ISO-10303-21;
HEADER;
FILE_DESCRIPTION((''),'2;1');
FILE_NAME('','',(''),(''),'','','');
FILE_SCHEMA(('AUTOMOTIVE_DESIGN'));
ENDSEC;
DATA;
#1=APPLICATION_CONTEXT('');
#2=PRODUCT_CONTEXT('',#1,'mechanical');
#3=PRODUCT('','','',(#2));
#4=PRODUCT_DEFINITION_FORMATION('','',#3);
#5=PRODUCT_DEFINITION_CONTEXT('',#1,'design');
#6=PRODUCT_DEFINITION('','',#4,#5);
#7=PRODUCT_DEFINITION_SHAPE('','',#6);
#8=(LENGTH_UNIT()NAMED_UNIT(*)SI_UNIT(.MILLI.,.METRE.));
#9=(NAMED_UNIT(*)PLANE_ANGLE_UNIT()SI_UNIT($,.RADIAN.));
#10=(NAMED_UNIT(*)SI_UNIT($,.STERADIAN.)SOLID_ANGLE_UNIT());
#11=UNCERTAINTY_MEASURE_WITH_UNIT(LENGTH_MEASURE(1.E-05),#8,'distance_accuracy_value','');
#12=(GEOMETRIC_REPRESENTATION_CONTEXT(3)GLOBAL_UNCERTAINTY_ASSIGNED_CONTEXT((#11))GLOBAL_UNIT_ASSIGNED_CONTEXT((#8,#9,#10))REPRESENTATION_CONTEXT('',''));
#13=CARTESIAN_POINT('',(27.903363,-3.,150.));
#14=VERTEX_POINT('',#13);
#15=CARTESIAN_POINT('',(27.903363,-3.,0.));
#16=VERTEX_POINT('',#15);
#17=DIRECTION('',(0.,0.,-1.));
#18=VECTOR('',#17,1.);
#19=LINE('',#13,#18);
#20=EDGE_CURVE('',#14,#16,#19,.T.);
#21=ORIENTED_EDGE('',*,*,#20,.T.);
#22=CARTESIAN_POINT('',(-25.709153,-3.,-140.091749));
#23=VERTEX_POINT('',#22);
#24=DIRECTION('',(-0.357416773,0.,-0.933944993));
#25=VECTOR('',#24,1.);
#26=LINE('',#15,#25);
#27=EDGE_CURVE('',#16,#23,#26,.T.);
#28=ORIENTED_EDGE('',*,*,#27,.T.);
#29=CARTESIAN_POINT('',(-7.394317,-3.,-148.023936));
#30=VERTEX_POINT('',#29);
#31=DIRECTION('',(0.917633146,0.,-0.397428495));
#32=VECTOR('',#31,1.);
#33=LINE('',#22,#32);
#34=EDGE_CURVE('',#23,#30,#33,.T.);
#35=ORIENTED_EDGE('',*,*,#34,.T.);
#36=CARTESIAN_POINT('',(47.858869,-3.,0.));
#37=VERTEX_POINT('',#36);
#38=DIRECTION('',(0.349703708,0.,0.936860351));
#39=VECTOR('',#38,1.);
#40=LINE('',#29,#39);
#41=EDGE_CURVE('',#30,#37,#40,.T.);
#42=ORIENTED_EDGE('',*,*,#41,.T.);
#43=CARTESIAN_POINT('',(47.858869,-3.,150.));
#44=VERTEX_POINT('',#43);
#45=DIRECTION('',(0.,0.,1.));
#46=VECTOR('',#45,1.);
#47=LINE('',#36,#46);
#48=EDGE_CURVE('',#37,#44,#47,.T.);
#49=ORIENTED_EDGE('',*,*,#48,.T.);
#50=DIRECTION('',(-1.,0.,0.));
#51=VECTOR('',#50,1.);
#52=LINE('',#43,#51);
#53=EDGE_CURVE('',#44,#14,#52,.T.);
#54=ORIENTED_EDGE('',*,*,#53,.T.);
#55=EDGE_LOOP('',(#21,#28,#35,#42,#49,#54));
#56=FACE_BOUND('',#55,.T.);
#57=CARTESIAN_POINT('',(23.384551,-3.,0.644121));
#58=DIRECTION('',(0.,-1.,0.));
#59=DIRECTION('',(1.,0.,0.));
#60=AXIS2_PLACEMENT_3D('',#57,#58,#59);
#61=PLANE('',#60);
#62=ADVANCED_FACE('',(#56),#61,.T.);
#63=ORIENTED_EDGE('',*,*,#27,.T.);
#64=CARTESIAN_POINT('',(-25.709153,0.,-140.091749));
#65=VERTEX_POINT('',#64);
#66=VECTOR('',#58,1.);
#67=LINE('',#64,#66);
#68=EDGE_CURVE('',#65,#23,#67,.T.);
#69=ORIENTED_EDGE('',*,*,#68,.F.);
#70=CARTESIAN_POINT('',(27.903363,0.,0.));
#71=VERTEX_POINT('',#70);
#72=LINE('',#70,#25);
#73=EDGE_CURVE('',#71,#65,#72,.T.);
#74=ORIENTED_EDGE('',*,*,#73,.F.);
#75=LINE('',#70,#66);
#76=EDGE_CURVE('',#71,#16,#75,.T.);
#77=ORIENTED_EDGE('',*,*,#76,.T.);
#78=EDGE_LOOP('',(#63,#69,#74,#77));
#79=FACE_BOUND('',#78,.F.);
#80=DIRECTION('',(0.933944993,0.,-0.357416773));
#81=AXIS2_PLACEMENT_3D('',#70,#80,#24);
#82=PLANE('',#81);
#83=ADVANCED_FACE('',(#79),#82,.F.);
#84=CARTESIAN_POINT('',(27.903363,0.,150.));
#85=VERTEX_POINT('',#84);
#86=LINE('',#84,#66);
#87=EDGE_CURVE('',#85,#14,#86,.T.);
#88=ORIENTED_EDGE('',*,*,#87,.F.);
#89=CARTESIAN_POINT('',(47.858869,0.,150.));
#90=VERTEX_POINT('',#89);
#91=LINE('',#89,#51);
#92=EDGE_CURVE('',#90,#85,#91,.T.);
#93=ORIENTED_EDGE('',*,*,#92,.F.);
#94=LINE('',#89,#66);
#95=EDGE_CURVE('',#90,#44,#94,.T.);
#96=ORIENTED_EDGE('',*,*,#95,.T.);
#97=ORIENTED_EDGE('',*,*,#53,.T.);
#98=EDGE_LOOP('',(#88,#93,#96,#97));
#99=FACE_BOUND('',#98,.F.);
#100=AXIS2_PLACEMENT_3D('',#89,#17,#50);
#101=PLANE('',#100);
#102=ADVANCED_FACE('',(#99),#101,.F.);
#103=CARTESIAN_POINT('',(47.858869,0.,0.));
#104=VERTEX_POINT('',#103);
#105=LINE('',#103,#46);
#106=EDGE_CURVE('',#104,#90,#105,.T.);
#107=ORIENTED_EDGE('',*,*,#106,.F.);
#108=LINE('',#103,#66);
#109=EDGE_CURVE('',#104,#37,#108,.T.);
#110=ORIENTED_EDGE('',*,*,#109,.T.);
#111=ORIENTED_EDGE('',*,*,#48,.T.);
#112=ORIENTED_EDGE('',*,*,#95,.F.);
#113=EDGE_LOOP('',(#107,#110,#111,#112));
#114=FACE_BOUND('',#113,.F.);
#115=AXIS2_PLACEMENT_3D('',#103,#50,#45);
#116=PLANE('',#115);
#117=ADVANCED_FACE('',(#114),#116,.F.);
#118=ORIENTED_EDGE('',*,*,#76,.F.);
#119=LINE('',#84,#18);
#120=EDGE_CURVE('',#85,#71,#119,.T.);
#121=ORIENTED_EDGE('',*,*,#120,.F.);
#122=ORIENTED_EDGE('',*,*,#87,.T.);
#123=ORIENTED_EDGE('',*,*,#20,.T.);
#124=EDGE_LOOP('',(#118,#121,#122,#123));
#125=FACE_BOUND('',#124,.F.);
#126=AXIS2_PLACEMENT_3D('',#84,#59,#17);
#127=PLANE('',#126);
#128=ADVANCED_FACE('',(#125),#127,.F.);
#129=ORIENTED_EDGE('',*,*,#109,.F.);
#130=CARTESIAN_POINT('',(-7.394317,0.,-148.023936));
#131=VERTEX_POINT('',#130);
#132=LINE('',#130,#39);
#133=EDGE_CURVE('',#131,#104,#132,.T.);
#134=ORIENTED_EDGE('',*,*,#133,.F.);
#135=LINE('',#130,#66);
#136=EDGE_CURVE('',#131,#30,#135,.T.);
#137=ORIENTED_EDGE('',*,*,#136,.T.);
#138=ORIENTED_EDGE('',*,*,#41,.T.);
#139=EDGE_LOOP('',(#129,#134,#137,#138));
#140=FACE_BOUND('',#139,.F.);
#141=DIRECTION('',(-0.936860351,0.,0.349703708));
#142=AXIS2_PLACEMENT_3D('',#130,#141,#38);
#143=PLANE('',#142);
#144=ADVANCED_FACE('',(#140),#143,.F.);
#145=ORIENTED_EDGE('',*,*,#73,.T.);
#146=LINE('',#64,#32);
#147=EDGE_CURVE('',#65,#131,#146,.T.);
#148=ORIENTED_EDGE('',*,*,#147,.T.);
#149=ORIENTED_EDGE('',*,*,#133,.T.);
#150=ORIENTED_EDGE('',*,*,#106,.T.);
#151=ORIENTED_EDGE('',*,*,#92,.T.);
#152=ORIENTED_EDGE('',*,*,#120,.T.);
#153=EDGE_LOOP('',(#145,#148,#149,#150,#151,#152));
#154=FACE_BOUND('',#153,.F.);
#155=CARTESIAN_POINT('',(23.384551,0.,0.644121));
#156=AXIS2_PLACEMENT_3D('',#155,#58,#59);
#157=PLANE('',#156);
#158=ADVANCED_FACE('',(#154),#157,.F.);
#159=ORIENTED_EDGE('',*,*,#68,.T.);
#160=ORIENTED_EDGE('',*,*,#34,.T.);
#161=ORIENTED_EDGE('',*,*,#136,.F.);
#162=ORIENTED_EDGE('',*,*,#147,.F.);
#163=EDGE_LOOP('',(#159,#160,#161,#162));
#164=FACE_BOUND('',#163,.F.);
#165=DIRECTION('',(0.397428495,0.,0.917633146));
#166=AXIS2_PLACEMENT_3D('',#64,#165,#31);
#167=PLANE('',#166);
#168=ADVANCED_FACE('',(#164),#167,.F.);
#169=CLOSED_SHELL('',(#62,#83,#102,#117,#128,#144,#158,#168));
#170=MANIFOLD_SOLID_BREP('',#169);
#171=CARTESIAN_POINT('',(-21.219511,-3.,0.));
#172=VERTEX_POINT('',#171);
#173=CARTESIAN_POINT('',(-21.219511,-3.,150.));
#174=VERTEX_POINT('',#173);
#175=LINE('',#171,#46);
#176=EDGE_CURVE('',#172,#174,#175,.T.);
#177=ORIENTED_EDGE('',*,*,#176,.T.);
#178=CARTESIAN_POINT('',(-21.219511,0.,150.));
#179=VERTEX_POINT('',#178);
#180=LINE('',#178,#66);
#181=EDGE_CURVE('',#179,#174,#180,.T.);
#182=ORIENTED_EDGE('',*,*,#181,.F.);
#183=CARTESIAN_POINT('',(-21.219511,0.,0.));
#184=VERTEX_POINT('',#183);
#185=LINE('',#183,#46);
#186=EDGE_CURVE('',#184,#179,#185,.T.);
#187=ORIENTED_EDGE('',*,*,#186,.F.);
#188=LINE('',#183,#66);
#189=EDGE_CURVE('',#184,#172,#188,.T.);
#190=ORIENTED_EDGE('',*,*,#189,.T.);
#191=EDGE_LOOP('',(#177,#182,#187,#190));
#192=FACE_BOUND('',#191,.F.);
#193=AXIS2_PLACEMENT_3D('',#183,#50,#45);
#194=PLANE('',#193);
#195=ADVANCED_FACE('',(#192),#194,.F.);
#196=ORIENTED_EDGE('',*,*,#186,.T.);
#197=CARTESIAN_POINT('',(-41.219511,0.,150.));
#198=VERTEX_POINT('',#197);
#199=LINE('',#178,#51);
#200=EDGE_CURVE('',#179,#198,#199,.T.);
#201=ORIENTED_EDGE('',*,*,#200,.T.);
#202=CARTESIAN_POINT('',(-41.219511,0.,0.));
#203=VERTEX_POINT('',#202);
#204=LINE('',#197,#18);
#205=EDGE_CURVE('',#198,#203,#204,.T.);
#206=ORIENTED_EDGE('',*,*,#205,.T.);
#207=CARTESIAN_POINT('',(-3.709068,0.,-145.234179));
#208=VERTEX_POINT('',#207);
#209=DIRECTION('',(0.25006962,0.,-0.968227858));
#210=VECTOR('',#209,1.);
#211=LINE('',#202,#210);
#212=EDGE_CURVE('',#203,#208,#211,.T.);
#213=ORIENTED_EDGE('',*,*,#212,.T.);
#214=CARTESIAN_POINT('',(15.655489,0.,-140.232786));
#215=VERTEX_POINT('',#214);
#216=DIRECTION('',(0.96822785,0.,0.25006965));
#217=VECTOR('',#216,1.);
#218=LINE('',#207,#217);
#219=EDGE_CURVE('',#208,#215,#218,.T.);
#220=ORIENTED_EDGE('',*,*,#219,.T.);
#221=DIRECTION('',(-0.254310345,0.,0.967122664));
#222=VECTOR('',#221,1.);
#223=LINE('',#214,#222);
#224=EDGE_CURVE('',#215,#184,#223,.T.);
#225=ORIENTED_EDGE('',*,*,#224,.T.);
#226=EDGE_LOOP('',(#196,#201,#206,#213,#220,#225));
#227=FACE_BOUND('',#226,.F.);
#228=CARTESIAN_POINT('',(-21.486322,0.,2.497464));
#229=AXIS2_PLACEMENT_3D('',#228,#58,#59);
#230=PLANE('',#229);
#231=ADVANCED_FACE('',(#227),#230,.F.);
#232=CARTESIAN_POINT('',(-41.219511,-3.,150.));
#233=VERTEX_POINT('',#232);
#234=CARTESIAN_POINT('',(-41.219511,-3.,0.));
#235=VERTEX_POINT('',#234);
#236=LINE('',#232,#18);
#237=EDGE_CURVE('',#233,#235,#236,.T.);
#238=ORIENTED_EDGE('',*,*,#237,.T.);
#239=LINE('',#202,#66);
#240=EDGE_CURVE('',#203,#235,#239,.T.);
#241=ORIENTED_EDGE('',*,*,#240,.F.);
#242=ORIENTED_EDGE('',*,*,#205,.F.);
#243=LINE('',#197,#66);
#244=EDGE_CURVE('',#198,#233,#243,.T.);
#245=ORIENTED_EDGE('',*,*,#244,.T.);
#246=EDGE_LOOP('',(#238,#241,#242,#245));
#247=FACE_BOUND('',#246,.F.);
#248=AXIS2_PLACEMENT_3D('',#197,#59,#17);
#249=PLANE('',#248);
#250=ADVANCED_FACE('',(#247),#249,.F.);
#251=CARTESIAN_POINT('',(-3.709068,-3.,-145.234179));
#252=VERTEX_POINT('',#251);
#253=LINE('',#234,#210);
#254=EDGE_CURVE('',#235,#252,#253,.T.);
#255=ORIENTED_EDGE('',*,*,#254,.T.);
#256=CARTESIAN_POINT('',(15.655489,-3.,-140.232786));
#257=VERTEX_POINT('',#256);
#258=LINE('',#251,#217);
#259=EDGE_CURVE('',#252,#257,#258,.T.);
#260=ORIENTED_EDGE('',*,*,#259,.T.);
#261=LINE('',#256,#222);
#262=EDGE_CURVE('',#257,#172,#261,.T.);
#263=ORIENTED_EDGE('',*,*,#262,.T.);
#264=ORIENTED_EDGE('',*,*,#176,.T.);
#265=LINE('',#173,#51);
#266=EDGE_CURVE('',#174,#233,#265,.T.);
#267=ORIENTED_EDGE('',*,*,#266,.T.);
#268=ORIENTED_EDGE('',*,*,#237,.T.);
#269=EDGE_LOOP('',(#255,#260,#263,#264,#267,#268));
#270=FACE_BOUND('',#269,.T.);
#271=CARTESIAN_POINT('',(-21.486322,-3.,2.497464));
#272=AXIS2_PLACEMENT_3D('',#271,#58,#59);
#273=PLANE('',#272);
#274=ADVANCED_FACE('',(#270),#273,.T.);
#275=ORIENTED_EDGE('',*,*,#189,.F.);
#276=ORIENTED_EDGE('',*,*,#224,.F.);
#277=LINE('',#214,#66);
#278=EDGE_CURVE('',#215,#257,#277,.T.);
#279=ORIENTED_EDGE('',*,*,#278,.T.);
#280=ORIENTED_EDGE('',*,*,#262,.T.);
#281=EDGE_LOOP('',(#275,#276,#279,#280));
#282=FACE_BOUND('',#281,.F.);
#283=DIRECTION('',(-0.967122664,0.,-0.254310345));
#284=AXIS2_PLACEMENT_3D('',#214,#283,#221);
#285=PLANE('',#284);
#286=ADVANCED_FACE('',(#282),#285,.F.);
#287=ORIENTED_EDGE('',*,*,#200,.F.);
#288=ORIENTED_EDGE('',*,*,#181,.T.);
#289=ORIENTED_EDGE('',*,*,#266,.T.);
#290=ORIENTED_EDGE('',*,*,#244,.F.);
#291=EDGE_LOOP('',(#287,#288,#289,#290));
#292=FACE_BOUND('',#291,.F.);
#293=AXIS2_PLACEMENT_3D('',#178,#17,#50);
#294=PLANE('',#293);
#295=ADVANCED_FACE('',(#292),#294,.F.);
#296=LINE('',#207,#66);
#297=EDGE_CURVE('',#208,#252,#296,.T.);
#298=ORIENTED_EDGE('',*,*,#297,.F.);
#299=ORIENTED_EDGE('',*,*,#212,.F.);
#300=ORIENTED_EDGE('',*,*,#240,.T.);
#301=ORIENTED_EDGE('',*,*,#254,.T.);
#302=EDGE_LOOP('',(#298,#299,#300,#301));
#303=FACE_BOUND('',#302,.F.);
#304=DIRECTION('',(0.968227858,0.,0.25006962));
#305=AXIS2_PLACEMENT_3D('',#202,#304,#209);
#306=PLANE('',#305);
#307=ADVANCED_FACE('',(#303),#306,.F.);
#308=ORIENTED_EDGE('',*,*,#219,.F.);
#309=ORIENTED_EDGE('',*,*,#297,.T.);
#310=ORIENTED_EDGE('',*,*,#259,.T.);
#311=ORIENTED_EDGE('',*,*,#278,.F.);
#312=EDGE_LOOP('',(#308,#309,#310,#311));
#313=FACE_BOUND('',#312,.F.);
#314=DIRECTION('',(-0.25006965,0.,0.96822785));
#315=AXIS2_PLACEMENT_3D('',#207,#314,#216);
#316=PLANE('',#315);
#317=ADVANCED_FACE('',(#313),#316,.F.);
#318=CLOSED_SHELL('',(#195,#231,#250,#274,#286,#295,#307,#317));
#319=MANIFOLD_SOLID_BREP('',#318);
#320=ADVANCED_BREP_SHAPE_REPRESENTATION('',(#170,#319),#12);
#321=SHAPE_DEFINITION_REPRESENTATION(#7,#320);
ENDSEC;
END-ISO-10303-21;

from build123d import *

# Parameters (mm, degrees)
F1_DEPTH = 3
F3_DEPTH = 3


with BuildPart() as f1:
    # F0 (on Front) → F1 (new body)
    with BuildSketch(Plane.XZ):
        Polygon((-41.219511, 150), (-41.219511, 0), (-3.709068, -145.234179), (15.655489, -140.232786), (-21.219511, 0), (-21.219511, 150), align=None)
    extrude(amount=F1_DEPTH)


with BuildPart() as f3:
    # F2 (on Front) → F3 (new body)
    with BuildSketch(Plane.XZ):
        Polygon((47.858869, 150), (27.903363, 150), (27.903363, 0), (-25.709153, -140.091749), (-7.394317, -148.023936), (47.858869, 0), align=None)
    extrude(amount=F3_DEPTH)


solid = Compound([f1.part, f3.part])
